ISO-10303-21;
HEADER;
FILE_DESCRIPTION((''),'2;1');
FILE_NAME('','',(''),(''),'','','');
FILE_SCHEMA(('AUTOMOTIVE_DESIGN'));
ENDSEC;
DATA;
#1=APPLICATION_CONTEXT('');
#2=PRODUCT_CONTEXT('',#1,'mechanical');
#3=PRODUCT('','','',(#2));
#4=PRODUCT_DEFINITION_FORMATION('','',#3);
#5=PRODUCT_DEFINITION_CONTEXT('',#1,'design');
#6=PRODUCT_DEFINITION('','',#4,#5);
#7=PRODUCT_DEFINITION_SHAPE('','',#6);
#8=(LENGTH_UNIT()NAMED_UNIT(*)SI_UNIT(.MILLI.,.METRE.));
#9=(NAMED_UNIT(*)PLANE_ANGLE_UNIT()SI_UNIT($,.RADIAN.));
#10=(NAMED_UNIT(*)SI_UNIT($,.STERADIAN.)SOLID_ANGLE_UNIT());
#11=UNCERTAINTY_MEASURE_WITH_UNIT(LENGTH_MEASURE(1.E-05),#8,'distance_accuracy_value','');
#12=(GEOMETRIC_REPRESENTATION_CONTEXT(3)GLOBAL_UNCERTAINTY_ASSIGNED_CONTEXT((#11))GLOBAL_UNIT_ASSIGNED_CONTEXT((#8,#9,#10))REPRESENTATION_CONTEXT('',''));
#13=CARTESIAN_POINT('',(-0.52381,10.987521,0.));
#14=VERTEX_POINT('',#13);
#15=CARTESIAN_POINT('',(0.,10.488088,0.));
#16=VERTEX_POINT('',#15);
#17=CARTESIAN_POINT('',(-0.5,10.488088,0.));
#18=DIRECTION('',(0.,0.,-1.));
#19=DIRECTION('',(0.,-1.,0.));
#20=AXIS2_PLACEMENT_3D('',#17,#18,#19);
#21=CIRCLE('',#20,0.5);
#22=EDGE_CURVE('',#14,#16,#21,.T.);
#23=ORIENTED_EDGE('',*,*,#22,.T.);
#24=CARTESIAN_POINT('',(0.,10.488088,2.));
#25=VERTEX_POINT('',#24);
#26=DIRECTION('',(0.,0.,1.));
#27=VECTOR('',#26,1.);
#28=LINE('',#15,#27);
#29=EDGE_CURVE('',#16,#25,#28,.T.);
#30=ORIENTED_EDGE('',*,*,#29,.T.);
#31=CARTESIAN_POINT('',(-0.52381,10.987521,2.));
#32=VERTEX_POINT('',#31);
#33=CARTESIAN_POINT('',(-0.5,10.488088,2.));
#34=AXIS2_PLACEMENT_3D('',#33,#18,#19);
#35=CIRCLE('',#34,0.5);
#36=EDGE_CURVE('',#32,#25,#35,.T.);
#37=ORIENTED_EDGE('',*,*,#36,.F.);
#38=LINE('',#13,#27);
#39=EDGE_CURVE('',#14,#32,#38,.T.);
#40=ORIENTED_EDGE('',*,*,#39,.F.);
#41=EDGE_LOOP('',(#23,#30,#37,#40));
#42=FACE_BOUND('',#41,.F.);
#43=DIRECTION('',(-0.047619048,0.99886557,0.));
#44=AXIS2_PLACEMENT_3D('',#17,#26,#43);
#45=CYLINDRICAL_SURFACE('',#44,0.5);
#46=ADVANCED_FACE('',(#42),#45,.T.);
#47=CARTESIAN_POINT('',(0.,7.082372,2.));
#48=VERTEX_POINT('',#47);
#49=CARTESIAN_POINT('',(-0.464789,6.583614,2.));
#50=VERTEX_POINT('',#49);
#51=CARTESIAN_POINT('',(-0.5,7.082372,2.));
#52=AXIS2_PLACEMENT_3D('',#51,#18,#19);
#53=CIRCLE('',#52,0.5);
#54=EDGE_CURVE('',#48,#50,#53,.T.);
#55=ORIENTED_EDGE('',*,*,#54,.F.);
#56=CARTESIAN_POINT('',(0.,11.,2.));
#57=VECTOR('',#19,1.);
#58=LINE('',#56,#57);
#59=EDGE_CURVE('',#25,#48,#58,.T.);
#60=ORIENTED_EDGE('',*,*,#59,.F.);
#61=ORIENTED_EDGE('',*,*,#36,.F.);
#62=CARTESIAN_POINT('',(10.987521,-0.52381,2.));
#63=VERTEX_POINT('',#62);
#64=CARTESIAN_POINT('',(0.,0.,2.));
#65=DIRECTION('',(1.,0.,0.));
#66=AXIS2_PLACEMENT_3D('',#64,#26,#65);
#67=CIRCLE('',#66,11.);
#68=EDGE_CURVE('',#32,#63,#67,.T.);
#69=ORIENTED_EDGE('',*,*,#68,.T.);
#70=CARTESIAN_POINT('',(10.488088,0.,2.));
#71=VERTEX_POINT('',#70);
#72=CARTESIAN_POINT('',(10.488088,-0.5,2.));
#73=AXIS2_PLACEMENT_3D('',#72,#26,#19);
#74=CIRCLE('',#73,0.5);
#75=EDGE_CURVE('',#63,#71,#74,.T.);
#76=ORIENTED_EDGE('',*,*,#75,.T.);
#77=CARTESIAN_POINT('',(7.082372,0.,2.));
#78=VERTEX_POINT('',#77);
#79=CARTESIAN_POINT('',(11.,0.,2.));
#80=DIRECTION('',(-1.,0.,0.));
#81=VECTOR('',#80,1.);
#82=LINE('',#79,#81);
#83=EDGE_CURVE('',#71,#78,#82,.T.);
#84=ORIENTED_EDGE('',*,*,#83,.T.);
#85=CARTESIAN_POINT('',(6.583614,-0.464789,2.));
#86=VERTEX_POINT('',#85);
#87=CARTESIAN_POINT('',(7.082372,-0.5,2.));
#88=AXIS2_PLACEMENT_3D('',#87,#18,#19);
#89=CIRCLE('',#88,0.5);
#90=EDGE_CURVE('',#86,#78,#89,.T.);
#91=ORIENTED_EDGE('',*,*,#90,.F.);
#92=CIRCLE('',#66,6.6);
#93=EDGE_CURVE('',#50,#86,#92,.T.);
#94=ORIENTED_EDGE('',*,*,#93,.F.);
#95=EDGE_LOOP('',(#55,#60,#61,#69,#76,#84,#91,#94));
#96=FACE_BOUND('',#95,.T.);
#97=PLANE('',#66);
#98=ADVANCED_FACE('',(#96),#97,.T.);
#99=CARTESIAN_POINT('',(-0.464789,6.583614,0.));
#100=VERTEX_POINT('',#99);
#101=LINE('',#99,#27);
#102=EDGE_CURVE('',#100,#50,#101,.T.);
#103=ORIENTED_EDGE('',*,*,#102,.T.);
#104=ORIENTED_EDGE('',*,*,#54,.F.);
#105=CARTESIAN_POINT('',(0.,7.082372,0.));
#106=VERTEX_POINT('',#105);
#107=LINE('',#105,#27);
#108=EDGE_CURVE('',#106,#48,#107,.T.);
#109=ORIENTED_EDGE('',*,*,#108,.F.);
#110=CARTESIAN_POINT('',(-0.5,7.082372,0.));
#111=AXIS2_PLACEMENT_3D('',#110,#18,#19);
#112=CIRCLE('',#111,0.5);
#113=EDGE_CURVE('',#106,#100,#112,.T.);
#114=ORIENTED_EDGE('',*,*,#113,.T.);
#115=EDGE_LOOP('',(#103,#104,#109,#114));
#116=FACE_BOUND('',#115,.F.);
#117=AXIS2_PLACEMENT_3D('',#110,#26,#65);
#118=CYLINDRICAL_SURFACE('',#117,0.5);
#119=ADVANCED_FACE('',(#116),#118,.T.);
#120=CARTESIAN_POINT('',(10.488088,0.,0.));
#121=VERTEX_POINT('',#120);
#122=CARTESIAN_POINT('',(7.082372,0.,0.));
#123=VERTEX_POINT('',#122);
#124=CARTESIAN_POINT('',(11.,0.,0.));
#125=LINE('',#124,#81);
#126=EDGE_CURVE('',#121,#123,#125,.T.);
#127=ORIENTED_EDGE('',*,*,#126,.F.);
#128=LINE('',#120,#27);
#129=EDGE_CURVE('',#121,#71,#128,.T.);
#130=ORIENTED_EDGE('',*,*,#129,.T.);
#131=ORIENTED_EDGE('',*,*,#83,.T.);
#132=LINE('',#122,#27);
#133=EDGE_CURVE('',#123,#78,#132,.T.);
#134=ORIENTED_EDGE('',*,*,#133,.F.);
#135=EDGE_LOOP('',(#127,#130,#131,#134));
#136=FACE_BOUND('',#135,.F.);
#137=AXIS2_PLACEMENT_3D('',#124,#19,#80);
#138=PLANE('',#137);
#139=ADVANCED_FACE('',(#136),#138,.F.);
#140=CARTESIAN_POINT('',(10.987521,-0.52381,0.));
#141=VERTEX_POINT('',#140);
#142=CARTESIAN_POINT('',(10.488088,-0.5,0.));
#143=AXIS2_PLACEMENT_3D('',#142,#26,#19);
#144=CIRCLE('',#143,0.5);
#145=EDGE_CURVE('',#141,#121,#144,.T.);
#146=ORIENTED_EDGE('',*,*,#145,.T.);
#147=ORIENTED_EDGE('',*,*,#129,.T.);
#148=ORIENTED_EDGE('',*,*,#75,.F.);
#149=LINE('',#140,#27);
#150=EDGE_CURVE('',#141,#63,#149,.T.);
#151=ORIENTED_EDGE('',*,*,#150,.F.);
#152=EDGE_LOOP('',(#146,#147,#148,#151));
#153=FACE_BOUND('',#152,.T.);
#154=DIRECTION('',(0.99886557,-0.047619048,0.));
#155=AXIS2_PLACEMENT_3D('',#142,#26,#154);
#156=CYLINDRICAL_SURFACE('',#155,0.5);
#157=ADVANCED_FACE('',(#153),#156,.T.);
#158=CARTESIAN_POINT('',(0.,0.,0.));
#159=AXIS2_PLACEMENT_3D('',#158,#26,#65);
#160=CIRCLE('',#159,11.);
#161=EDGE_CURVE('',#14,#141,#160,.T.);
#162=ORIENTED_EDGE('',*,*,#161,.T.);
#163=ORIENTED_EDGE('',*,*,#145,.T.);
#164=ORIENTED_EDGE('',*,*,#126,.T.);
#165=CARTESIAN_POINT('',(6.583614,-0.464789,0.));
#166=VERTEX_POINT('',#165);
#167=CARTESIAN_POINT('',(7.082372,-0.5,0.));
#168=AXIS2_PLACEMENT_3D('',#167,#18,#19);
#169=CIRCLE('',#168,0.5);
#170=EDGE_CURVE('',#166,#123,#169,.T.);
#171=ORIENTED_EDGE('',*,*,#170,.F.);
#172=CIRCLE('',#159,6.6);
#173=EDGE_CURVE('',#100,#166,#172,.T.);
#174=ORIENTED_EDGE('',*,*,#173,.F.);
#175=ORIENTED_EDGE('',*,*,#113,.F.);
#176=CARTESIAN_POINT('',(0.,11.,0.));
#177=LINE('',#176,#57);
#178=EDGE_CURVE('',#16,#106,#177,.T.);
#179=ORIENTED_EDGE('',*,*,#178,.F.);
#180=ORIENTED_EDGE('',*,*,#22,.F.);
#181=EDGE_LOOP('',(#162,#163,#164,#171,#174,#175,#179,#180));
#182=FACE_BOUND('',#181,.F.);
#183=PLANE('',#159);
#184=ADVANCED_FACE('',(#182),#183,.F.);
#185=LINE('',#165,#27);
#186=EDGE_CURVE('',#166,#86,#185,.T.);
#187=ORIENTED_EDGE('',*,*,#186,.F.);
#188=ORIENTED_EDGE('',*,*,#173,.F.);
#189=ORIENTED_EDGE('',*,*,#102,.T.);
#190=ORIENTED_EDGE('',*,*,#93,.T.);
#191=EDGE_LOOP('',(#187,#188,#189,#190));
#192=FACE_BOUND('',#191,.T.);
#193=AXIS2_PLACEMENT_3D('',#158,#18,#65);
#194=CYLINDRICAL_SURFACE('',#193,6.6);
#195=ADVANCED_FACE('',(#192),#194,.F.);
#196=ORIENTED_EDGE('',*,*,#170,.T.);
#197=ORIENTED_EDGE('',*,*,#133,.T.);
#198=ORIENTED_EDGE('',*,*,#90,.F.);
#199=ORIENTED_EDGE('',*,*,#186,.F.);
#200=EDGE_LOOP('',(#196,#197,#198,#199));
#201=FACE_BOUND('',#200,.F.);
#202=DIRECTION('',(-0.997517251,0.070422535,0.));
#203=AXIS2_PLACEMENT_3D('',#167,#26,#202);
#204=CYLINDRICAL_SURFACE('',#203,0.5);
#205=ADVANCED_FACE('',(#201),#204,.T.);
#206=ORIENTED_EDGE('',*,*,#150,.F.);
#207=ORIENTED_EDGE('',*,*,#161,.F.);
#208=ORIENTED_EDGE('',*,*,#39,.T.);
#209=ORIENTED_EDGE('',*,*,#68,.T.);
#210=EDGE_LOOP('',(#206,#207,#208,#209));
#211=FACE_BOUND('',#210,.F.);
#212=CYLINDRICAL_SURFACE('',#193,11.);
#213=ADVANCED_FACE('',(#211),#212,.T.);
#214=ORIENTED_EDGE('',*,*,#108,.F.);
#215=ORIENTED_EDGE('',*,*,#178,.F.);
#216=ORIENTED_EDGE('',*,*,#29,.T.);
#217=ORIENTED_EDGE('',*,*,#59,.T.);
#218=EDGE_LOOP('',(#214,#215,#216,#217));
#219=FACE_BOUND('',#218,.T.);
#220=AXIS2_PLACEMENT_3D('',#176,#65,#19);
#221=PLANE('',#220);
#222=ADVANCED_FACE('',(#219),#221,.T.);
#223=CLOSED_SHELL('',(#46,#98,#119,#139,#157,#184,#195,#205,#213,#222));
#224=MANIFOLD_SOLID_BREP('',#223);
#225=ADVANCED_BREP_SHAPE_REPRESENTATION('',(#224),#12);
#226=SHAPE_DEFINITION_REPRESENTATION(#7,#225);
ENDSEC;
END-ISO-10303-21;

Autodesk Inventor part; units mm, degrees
ref_plane "YZ Plane" through (0, 0, 0) normal (1, 0, 0) x (0, 1, 0)
ref_plane "XZ Plane" through (0, 0, 0) normal (0, 1, 0) x (-1, 0, 0)
ref_plane "XY Plane" through (0, 0, 0) normal (0, 0, 1) x (1, 0, 0)
sketch "Skizze1" plane through (0, 0, 0) normal (0, 0, 1) x (1, 0, 0)
  circle A0 centre (0, 0) radius 11
  circle A1 centre (0, 0) radius 6.6
  line L0 (0, 11) -> (0, 6.6)
  line L1 (11, 0) -> (6.6, 0)
  dimension "d0" = 13.2
  dimension "d1" = 22
extrude "Extrusion1" add sketch "Skizze1" along normal blind 2 contours A0 L0 A1 L1 picked at (9.3538, -1.4402)
fillet "Rundung1" radius 0.5 4 edges at (0, 11, 1) (0, 6.6, 1) (6.6, 0, 1) (11, 0, 1)
properties part number "503.017.01_Splint_Feder" material "Eisen, Grau"
